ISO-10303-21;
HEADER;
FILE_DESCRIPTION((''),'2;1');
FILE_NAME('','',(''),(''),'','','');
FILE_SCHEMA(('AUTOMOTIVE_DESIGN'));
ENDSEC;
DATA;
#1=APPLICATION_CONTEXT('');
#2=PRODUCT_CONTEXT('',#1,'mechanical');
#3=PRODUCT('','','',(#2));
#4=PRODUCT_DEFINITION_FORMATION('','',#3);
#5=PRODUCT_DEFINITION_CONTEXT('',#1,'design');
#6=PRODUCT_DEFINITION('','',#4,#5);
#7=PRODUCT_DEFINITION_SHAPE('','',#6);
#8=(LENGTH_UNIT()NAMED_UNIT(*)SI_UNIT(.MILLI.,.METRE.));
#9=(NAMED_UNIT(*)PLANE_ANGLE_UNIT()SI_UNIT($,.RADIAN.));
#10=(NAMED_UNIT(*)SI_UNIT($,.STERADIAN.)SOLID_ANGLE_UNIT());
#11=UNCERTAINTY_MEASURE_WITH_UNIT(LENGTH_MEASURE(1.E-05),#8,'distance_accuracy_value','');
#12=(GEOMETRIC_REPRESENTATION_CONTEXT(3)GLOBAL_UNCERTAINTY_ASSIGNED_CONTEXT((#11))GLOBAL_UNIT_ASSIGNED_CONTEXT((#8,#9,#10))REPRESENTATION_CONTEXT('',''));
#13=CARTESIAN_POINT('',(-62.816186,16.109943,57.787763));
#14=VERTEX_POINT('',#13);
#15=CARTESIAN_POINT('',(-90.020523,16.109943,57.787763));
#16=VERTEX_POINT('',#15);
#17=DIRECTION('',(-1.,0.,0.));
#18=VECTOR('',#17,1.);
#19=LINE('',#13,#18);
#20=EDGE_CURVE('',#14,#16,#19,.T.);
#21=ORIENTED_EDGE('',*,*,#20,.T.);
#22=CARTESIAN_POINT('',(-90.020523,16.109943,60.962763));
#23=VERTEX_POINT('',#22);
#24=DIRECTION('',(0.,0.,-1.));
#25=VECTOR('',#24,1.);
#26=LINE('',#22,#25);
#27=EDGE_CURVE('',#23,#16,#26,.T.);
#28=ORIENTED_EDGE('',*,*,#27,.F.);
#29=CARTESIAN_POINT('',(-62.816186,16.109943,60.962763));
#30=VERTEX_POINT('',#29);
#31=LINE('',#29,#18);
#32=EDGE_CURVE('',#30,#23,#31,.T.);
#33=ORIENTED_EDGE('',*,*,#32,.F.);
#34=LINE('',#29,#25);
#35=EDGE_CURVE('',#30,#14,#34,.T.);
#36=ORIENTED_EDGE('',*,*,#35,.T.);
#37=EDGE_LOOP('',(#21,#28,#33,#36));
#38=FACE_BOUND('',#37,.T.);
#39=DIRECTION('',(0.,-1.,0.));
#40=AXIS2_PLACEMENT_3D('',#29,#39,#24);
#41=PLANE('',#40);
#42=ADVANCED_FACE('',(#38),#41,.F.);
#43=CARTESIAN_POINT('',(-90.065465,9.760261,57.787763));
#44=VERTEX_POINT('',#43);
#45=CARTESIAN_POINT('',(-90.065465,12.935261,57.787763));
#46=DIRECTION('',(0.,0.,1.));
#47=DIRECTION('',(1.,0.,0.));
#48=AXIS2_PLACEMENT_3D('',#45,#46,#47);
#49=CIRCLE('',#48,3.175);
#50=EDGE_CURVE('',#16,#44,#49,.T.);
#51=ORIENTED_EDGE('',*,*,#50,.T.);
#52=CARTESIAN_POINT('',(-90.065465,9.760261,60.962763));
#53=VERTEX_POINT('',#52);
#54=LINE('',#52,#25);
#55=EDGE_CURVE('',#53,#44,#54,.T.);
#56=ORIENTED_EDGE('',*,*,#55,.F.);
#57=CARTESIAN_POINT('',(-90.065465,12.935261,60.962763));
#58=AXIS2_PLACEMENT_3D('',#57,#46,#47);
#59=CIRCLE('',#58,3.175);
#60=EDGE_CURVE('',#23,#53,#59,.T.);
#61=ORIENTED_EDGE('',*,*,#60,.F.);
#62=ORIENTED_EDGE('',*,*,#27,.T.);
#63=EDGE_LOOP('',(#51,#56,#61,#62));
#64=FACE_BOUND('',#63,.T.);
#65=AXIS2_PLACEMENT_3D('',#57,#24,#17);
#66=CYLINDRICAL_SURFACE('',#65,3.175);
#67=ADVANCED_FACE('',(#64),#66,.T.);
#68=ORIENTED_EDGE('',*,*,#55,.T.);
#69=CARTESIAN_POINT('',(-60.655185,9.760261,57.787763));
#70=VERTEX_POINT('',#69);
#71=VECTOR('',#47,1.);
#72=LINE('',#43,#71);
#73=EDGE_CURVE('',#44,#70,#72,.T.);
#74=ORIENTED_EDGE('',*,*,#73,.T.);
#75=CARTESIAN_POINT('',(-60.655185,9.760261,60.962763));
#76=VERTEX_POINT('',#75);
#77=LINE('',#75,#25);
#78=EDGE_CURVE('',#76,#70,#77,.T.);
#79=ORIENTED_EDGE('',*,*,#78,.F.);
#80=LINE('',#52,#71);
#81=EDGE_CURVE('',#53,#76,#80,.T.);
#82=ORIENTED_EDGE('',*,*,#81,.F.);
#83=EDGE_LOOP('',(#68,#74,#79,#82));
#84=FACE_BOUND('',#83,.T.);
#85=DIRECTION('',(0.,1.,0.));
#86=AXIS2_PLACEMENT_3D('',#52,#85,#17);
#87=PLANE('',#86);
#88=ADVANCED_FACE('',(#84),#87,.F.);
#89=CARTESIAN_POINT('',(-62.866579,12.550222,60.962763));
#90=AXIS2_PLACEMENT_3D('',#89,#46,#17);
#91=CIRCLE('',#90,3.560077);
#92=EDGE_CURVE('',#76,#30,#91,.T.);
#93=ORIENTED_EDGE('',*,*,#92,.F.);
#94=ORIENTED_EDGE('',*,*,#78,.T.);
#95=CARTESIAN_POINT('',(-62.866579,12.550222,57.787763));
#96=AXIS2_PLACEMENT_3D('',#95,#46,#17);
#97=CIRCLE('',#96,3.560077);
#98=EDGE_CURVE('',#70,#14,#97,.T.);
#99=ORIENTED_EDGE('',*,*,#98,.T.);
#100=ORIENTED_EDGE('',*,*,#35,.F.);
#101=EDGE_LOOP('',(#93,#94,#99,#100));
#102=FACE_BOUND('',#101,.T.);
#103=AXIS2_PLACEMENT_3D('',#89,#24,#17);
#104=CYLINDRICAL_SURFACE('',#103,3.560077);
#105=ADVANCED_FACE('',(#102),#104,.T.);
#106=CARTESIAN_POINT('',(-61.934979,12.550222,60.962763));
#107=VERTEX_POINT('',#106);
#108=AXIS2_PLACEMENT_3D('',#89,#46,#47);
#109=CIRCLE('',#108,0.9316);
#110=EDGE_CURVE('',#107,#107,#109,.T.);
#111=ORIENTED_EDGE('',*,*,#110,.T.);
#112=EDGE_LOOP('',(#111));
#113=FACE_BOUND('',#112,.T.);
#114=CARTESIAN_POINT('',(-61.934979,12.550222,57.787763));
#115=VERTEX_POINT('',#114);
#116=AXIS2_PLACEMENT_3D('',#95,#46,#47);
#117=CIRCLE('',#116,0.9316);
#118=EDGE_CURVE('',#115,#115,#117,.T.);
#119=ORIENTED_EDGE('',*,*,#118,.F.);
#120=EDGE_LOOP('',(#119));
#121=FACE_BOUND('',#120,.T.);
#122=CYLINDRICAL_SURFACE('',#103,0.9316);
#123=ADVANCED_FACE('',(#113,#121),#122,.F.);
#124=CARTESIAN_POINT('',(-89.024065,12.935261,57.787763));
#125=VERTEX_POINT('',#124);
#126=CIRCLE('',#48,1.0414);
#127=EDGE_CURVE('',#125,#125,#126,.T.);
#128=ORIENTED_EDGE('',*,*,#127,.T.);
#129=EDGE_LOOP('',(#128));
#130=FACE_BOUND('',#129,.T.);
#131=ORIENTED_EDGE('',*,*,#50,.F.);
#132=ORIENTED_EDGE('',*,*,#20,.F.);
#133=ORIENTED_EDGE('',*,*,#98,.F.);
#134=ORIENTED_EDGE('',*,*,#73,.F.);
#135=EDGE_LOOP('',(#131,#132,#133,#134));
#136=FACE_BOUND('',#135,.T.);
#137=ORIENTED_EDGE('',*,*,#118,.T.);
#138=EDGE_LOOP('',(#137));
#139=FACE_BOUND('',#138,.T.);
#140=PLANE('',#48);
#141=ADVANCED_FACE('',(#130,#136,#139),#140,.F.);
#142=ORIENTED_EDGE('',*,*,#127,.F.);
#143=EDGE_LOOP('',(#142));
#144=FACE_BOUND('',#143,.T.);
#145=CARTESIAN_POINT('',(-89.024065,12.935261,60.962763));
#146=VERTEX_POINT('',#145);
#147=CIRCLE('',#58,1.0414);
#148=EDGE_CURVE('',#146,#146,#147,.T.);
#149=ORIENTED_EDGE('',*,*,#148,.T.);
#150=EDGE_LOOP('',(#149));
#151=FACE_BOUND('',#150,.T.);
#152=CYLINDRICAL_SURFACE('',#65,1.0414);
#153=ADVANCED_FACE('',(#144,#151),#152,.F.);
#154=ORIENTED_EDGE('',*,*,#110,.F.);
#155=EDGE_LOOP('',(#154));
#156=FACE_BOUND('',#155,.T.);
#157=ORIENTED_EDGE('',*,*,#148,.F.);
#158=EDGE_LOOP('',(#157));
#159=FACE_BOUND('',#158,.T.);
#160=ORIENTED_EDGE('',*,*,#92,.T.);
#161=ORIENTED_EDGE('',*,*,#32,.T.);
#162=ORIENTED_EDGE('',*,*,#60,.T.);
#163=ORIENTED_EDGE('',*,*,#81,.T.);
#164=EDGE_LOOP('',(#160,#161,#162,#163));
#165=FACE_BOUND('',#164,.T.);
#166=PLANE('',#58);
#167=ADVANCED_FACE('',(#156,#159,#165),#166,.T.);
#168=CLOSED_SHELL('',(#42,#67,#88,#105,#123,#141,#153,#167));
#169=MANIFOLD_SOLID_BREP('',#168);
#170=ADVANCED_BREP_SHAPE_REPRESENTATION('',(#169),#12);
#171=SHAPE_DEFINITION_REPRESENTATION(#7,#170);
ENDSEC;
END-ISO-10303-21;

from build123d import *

# Parameters (mm, degrees)
SKETCH1_R           = 0.9316
SKETCH1_R_2         = 1.0414
BOSS_EXTRUDE1_DEPTH = 3.175


with BuildPart() as part:
    # Sketch1 → Boss-Extrude1 (new body)
    with BuildSketch(Plane.XY.offset(57.787763362)):
        with BuildLine():
            Line((-62.816186274, 16.109942792), (-90.02052276, 16.109942792))
            ThreePointArc((-90.02052276, 16.109942792), (-93.240385314, 12.957732487), (-90.065464838, 9.760260885))
            Line((-90.065464838, 9.760260885), (-60.655185343, 9.760260885))
            ThreePointArc((-60.655185343, 9.760260885), (-59.496336577, 13.69722439), (-62.816186274, 16.109942792))
        make_face()
        with Locations((-62.866579111, 12.550222483)):
            Circle(SKETCH1_R, mode=Mode.SUBTRACT)
        with Locations((-90.065464838, 12.935260885)):
            Circle(SKETCH1_R_2, mode=Mode.SUBTRACT)
    extrude(amount=BOSS_EXTRUDE1_DEPTH)


solid = part.part
